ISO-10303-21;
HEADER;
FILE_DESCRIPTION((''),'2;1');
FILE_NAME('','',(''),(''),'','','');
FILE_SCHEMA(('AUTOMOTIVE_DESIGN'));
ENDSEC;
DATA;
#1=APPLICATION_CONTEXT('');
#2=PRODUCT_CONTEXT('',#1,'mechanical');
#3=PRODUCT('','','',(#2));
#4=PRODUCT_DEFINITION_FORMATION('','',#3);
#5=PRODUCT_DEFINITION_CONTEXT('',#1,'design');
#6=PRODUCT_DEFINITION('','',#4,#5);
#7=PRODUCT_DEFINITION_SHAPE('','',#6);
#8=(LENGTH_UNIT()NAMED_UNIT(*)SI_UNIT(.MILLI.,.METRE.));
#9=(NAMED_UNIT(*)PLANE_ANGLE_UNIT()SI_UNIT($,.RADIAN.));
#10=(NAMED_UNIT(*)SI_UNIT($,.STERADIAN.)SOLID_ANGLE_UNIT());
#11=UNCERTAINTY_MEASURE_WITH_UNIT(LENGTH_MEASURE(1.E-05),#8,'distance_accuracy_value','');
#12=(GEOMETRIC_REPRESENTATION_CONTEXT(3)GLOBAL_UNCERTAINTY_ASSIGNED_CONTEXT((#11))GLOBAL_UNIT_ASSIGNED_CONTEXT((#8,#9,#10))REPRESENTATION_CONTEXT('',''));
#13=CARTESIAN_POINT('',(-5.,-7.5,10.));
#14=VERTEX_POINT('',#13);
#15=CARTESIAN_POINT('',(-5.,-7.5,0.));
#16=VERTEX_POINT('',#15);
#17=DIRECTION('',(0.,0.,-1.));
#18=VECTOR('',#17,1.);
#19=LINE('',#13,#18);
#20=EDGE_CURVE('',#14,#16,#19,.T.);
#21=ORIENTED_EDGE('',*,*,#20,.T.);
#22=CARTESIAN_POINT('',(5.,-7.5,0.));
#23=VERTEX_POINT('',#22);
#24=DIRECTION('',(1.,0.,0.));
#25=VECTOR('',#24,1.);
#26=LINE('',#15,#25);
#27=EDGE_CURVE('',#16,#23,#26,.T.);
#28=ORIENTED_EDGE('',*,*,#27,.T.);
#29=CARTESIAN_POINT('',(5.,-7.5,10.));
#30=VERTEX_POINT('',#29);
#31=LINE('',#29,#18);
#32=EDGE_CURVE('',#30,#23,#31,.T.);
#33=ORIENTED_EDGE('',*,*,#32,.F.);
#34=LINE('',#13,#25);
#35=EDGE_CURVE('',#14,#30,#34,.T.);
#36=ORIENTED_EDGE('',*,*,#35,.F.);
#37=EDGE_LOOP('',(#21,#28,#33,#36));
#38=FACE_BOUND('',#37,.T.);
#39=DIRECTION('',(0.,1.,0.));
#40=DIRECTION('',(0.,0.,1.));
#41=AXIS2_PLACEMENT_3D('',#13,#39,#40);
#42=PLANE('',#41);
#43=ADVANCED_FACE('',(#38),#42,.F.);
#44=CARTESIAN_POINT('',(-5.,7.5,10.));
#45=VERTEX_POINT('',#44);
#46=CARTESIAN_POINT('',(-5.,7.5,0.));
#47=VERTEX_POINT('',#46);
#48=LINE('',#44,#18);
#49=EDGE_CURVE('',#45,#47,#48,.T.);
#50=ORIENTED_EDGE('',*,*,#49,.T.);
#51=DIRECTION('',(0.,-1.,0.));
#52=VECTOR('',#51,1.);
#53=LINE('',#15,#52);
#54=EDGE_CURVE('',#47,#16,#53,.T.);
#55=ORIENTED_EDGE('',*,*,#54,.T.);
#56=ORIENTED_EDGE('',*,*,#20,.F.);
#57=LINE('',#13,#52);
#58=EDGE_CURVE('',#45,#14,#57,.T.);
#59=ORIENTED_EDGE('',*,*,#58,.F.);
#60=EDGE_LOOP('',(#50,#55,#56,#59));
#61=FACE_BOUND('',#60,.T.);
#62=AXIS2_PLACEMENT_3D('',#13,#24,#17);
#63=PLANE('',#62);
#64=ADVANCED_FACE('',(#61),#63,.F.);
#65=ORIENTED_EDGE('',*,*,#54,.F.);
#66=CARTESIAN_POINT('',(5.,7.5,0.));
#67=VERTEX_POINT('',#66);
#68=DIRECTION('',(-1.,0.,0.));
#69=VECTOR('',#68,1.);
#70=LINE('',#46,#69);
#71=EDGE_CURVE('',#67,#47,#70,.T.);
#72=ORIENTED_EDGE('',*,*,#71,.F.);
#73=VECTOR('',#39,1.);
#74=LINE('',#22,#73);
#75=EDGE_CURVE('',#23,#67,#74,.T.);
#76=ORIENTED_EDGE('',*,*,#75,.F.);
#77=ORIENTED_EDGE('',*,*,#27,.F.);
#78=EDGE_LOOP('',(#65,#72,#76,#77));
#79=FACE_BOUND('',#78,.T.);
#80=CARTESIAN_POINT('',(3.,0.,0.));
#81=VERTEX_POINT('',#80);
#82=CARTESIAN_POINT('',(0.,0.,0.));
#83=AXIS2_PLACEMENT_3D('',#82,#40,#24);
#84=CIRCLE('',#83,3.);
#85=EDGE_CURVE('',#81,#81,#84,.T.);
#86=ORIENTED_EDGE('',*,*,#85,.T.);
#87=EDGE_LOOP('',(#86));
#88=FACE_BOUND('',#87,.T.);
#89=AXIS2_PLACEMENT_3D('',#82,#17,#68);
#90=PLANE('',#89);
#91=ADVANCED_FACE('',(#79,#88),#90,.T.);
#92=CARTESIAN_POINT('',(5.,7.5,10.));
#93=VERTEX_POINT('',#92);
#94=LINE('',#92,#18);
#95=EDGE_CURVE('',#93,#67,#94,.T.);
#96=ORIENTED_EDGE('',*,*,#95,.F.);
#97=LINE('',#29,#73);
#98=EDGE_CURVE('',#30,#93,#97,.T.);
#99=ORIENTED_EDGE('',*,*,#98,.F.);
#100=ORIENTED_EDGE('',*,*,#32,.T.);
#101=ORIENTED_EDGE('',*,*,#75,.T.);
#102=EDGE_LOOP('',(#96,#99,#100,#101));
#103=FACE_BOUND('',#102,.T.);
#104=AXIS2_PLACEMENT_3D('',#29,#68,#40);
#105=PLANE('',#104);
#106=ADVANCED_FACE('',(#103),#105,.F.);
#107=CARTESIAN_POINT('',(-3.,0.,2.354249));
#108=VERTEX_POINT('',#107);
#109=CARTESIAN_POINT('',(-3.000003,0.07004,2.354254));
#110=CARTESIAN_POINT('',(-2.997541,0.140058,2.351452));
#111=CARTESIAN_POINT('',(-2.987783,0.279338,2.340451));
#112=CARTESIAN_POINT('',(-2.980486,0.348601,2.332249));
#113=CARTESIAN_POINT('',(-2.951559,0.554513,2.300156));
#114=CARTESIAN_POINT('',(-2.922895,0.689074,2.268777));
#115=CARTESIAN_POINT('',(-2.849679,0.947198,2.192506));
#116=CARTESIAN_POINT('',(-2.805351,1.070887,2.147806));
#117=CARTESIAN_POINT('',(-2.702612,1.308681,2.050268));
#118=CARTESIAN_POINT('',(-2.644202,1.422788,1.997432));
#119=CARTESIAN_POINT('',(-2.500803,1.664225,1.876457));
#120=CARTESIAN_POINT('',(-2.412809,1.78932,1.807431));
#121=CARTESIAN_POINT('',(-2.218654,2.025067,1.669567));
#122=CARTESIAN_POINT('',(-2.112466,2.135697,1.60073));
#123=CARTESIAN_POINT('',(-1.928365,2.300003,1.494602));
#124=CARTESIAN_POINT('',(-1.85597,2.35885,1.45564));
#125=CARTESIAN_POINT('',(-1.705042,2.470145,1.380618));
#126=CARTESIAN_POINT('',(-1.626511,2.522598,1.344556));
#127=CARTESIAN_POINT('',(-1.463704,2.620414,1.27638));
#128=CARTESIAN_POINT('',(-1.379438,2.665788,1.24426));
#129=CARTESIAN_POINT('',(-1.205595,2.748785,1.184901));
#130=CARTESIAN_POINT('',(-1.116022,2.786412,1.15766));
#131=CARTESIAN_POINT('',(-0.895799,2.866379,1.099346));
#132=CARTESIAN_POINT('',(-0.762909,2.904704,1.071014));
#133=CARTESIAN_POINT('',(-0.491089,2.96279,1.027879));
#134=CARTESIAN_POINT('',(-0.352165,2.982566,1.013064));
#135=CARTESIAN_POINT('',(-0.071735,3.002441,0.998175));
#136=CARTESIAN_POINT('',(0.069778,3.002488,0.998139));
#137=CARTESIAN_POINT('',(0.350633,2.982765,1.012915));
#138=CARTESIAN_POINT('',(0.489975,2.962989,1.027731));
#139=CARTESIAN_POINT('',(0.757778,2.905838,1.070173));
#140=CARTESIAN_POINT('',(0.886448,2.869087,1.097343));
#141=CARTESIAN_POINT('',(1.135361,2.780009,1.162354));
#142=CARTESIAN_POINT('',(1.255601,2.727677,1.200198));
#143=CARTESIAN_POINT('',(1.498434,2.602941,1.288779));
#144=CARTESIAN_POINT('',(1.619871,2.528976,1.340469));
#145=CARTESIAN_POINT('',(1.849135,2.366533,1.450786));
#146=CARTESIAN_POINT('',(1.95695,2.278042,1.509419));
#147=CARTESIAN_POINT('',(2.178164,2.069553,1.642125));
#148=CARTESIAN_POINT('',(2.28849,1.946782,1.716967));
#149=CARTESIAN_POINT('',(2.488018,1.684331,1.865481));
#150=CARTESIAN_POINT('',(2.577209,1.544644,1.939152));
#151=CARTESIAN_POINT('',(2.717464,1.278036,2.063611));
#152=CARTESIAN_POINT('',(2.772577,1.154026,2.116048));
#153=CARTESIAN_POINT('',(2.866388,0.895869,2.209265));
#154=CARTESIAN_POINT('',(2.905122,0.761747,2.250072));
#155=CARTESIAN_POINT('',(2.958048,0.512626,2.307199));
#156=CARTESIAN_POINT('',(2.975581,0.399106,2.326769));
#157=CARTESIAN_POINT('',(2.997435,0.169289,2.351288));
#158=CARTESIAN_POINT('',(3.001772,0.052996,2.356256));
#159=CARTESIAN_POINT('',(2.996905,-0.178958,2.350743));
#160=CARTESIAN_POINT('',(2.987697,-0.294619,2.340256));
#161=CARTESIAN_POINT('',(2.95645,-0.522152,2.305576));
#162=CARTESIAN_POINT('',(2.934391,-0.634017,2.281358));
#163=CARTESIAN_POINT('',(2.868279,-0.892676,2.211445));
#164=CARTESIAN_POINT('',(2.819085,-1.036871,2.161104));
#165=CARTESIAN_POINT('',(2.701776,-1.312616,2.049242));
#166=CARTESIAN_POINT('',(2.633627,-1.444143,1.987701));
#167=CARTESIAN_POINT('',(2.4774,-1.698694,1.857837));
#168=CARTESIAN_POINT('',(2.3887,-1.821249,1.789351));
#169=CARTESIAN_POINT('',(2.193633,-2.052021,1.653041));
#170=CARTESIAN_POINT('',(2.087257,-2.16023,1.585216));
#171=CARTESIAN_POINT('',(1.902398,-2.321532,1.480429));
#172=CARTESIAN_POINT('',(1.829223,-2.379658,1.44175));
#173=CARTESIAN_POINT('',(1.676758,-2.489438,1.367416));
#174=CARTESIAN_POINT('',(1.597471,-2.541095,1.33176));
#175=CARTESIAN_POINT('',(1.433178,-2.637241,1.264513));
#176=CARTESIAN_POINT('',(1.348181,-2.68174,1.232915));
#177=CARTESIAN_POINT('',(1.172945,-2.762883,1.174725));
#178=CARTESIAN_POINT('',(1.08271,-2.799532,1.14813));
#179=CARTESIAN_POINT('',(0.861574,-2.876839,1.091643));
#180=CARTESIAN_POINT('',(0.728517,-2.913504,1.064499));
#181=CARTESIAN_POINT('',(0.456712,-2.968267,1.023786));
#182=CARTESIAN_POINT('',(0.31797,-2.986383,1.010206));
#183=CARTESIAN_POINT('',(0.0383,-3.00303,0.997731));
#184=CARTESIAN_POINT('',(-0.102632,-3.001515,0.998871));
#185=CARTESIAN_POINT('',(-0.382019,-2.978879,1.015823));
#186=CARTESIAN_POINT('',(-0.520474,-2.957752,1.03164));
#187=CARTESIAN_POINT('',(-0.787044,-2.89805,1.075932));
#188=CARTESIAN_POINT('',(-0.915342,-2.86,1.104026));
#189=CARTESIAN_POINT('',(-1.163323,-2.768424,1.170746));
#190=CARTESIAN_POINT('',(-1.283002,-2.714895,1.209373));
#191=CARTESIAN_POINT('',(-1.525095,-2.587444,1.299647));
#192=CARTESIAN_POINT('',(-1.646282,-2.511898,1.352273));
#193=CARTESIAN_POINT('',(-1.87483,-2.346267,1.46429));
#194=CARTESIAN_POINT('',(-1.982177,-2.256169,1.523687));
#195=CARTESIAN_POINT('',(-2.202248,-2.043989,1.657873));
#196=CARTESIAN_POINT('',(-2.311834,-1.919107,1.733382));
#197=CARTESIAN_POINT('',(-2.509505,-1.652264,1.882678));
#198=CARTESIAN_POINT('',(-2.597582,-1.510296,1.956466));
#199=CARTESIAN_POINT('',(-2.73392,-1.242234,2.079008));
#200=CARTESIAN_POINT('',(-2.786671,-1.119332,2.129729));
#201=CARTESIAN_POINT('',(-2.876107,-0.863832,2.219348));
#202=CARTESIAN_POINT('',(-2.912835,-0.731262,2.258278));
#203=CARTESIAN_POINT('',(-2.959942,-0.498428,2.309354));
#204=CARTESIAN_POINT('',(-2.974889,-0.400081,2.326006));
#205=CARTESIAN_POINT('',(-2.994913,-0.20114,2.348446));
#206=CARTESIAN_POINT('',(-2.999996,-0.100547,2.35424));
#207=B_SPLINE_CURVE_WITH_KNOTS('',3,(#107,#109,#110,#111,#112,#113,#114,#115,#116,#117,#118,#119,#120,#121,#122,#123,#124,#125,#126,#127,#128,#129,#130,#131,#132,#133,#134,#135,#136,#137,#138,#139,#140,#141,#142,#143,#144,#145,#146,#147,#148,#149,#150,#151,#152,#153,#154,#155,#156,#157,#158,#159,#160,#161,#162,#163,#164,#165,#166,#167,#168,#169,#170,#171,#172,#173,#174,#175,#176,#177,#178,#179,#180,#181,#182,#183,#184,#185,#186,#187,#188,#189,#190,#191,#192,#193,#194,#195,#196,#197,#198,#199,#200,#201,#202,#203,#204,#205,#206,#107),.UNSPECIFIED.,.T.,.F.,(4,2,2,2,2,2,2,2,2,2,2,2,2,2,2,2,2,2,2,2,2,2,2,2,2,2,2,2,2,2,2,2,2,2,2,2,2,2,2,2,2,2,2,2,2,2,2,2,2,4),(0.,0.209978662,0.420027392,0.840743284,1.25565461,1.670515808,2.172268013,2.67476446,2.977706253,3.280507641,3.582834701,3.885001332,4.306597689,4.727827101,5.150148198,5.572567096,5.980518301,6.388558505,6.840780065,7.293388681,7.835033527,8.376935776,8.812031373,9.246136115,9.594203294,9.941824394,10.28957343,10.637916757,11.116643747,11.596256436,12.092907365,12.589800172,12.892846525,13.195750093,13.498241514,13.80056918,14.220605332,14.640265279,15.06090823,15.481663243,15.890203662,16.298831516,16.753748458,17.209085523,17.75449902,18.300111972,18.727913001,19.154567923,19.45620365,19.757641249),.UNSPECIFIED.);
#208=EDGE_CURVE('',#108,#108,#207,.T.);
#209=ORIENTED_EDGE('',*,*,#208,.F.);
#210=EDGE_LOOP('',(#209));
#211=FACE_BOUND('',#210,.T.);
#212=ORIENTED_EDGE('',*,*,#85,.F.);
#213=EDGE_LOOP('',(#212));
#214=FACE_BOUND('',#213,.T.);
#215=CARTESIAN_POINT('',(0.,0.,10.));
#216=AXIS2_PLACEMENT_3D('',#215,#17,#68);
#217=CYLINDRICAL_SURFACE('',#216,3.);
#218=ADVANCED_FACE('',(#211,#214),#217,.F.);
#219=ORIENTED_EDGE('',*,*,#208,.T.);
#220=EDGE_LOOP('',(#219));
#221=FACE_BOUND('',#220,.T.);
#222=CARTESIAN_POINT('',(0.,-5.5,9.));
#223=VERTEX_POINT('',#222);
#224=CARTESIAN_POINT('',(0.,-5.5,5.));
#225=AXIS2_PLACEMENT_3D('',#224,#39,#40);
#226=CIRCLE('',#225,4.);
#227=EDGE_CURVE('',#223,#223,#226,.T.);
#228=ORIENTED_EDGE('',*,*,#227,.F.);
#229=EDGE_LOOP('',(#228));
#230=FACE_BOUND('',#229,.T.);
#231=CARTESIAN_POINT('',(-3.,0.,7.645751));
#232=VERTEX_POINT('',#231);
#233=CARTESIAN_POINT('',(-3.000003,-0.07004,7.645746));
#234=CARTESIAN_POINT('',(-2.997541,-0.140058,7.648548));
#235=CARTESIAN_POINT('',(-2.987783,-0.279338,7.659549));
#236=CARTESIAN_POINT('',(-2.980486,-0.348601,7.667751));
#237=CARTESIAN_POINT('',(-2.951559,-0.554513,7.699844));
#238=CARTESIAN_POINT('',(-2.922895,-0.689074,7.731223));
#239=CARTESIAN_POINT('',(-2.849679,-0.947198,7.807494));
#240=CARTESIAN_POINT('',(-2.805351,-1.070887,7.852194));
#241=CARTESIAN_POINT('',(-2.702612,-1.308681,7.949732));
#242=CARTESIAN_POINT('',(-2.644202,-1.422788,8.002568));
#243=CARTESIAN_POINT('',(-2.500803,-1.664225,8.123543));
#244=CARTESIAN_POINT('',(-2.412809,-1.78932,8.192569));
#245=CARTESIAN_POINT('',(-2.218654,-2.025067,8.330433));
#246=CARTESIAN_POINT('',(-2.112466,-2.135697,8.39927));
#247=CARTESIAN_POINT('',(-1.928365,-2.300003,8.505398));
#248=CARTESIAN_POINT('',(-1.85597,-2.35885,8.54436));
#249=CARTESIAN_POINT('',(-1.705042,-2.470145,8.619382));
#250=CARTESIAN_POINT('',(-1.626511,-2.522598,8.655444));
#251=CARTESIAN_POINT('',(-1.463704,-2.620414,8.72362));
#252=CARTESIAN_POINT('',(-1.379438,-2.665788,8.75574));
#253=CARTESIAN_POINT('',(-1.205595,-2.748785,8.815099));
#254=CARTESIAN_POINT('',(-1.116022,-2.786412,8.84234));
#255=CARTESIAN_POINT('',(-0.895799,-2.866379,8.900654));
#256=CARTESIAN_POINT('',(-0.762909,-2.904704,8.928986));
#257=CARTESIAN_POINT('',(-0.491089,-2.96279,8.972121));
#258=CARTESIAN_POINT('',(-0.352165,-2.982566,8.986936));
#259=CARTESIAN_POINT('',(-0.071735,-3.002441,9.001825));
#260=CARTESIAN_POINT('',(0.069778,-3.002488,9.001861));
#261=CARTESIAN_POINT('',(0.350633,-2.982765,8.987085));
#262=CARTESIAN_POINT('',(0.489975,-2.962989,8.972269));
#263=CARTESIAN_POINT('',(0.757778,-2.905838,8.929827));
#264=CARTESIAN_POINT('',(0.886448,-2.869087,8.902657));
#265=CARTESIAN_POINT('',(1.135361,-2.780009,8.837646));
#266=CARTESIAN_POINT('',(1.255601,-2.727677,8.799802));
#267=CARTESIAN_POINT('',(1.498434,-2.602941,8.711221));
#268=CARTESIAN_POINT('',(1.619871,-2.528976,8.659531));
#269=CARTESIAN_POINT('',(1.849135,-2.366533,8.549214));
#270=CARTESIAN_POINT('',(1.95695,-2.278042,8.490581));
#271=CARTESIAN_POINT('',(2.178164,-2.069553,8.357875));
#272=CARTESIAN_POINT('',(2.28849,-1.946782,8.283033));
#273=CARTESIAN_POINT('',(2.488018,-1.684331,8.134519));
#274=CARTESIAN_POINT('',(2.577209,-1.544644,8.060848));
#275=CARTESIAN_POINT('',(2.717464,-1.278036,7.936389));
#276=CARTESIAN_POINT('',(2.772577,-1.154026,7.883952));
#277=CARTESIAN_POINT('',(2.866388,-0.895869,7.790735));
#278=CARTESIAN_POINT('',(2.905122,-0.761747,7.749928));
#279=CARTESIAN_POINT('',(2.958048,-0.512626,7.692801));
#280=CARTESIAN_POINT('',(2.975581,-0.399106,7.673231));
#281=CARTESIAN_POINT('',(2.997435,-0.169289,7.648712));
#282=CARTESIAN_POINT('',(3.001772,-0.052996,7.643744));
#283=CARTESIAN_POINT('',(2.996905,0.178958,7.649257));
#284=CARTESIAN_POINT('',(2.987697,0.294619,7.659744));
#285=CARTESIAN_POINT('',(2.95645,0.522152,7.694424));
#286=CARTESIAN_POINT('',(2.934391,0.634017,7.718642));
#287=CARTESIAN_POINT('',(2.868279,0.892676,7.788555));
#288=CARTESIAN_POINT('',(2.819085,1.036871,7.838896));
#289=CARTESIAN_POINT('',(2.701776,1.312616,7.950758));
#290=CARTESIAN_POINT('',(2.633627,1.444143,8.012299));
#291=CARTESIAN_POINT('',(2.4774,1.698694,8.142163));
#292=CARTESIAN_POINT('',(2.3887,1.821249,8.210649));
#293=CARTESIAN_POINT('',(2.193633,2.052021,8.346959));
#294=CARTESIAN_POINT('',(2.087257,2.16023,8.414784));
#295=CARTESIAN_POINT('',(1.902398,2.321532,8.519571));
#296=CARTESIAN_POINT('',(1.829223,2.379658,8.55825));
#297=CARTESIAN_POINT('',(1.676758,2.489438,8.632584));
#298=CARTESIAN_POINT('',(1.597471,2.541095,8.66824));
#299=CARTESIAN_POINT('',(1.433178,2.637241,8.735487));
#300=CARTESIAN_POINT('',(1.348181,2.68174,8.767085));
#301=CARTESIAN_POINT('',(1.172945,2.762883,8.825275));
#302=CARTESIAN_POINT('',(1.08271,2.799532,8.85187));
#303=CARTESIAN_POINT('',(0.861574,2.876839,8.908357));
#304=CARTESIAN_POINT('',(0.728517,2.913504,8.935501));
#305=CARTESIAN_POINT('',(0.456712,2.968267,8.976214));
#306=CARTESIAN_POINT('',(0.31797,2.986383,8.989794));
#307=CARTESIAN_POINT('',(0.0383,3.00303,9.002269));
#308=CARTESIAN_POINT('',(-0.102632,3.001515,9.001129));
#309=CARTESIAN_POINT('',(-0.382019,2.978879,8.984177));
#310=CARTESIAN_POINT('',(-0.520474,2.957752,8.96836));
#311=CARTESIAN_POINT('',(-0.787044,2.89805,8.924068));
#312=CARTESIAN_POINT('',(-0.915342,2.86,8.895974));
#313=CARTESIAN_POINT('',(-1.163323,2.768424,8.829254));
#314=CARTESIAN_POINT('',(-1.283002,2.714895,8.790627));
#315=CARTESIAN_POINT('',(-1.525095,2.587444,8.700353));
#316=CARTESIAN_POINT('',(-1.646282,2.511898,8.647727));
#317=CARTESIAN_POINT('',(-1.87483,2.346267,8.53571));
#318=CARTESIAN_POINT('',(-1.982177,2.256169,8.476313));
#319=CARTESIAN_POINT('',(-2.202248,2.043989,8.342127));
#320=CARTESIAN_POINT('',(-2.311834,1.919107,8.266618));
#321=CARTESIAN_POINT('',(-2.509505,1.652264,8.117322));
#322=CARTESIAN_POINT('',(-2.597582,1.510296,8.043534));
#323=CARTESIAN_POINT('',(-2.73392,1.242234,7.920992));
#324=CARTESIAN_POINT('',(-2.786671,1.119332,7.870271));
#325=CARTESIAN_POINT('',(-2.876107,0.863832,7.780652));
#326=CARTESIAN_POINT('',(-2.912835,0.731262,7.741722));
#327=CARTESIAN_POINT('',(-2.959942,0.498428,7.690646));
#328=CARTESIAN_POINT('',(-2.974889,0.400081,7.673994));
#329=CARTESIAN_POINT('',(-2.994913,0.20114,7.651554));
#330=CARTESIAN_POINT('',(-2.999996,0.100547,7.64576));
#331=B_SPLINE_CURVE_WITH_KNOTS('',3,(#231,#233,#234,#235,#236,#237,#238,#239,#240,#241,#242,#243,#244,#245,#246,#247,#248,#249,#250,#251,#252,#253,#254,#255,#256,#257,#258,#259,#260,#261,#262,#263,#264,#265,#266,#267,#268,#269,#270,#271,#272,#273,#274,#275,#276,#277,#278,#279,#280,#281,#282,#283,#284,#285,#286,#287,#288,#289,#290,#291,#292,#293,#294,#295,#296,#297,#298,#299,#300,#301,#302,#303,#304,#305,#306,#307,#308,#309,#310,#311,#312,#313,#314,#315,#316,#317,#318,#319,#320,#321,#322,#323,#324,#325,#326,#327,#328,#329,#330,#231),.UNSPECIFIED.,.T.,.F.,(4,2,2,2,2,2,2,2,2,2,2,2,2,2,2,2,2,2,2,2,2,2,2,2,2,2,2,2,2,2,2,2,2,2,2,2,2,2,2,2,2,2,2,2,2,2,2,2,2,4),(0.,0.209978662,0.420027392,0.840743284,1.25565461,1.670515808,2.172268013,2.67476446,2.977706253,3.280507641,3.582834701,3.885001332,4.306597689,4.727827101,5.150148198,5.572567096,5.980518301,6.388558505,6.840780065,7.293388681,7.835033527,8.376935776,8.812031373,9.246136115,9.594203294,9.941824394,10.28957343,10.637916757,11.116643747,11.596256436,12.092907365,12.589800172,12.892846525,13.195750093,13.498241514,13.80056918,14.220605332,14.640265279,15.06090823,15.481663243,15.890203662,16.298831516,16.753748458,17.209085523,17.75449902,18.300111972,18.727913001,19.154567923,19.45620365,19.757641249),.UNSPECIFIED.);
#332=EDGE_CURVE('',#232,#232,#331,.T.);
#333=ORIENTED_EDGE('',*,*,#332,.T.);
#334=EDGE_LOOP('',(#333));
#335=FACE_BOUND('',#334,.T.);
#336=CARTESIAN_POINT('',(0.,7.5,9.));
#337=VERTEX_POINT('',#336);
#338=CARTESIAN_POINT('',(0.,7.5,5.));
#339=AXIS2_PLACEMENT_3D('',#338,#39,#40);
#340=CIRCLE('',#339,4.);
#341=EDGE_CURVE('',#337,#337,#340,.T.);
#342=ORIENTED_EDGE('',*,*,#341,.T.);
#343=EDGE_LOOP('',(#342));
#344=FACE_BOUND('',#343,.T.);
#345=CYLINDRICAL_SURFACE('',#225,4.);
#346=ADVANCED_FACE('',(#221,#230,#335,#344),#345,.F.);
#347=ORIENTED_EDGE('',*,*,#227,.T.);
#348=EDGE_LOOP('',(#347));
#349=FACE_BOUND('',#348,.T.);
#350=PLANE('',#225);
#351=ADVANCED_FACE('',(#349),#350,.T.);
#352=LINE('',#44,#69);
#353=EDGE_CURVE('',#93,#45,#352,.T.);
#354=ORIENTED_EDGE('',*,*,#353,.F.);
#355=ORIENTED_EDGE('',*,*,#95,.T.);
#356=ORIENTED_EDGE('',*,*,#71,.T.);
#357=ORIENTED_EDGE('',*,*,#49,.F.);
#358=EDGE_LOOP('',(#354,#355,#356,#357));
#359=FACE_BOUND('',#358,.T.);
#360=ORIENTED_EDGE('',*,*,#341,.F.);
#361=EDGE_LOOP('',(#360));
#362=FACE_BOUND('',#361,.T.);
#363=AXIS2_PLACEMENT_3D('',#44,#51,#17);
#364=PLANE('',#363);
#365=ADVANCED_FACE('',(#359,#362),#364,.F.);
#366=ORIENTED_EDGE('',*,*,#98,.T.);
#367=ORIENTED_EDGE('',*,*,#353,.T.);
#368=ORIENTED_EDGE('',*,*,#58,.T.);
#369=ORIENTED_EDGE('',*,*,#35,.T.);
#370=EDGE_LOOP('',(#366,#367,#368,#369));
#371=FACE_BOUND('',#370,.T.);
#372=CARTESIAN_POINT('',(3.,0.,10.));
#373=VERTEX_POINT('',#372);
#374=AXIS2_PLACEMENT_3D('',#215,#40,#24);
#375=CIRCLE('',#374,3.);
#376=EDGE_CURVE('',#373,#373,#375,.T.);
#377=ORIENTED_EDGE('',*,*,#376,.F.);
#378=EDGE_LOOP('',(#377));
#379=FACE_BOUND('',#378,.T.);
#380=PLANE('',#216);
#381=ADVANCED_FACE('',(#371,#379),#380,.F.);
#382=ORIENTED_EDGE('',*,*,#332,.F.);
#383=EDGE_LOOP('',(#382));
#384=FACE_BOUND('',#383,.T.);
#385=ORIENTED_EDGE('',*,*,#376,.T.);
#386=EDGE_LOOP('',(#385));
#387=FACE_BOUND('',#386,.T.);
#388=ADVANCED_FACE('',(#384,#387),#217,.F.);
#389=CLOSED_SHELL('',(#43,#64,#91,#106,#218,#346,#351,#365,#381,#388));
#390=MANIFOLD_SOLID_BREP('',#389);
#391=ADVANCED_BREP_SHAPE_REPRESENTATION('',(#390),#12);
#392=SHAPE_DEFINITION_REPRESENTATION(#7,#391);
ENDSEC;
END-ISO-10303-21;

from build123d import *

# Parameters (mm, degrees)
SKETCH1_W           = 10
SKETCH1_H           = 15
SKETCH1_R           = 3
BOSS_EXTRUDE1_DEPTH = 10
SKETCH3_R           = 4
CUT_EXTRUDE1_DEPTH  = 13


with BuildPart() as part:
    # Sketch1 → Boss-Extrude1 (new body)
    with BuildSketch(Plane.XY):
        Rectangle(SKETCH1_W, SKETCH1_H)
        Circle(SKETCH1_R, mode=Mode.SUBTRACT)
    extrude(amount=BOSS_EXTRUDE1_DEPTH)

    # Sketch3 → Cut-Extrude1 (cut)
    with BuildSketch(Plane(origin=(0, 7.5, 0), x_dir=(1, 0, 0), z_dir=(0, 1, 0))):
        with Locations((0, -5)):
            Circle(SKETCH3_R)
    extrude(amount=-CUT_EXTRUDE1_DEPTH, mode=Mode.SUBTRACT)


solid = part.part
